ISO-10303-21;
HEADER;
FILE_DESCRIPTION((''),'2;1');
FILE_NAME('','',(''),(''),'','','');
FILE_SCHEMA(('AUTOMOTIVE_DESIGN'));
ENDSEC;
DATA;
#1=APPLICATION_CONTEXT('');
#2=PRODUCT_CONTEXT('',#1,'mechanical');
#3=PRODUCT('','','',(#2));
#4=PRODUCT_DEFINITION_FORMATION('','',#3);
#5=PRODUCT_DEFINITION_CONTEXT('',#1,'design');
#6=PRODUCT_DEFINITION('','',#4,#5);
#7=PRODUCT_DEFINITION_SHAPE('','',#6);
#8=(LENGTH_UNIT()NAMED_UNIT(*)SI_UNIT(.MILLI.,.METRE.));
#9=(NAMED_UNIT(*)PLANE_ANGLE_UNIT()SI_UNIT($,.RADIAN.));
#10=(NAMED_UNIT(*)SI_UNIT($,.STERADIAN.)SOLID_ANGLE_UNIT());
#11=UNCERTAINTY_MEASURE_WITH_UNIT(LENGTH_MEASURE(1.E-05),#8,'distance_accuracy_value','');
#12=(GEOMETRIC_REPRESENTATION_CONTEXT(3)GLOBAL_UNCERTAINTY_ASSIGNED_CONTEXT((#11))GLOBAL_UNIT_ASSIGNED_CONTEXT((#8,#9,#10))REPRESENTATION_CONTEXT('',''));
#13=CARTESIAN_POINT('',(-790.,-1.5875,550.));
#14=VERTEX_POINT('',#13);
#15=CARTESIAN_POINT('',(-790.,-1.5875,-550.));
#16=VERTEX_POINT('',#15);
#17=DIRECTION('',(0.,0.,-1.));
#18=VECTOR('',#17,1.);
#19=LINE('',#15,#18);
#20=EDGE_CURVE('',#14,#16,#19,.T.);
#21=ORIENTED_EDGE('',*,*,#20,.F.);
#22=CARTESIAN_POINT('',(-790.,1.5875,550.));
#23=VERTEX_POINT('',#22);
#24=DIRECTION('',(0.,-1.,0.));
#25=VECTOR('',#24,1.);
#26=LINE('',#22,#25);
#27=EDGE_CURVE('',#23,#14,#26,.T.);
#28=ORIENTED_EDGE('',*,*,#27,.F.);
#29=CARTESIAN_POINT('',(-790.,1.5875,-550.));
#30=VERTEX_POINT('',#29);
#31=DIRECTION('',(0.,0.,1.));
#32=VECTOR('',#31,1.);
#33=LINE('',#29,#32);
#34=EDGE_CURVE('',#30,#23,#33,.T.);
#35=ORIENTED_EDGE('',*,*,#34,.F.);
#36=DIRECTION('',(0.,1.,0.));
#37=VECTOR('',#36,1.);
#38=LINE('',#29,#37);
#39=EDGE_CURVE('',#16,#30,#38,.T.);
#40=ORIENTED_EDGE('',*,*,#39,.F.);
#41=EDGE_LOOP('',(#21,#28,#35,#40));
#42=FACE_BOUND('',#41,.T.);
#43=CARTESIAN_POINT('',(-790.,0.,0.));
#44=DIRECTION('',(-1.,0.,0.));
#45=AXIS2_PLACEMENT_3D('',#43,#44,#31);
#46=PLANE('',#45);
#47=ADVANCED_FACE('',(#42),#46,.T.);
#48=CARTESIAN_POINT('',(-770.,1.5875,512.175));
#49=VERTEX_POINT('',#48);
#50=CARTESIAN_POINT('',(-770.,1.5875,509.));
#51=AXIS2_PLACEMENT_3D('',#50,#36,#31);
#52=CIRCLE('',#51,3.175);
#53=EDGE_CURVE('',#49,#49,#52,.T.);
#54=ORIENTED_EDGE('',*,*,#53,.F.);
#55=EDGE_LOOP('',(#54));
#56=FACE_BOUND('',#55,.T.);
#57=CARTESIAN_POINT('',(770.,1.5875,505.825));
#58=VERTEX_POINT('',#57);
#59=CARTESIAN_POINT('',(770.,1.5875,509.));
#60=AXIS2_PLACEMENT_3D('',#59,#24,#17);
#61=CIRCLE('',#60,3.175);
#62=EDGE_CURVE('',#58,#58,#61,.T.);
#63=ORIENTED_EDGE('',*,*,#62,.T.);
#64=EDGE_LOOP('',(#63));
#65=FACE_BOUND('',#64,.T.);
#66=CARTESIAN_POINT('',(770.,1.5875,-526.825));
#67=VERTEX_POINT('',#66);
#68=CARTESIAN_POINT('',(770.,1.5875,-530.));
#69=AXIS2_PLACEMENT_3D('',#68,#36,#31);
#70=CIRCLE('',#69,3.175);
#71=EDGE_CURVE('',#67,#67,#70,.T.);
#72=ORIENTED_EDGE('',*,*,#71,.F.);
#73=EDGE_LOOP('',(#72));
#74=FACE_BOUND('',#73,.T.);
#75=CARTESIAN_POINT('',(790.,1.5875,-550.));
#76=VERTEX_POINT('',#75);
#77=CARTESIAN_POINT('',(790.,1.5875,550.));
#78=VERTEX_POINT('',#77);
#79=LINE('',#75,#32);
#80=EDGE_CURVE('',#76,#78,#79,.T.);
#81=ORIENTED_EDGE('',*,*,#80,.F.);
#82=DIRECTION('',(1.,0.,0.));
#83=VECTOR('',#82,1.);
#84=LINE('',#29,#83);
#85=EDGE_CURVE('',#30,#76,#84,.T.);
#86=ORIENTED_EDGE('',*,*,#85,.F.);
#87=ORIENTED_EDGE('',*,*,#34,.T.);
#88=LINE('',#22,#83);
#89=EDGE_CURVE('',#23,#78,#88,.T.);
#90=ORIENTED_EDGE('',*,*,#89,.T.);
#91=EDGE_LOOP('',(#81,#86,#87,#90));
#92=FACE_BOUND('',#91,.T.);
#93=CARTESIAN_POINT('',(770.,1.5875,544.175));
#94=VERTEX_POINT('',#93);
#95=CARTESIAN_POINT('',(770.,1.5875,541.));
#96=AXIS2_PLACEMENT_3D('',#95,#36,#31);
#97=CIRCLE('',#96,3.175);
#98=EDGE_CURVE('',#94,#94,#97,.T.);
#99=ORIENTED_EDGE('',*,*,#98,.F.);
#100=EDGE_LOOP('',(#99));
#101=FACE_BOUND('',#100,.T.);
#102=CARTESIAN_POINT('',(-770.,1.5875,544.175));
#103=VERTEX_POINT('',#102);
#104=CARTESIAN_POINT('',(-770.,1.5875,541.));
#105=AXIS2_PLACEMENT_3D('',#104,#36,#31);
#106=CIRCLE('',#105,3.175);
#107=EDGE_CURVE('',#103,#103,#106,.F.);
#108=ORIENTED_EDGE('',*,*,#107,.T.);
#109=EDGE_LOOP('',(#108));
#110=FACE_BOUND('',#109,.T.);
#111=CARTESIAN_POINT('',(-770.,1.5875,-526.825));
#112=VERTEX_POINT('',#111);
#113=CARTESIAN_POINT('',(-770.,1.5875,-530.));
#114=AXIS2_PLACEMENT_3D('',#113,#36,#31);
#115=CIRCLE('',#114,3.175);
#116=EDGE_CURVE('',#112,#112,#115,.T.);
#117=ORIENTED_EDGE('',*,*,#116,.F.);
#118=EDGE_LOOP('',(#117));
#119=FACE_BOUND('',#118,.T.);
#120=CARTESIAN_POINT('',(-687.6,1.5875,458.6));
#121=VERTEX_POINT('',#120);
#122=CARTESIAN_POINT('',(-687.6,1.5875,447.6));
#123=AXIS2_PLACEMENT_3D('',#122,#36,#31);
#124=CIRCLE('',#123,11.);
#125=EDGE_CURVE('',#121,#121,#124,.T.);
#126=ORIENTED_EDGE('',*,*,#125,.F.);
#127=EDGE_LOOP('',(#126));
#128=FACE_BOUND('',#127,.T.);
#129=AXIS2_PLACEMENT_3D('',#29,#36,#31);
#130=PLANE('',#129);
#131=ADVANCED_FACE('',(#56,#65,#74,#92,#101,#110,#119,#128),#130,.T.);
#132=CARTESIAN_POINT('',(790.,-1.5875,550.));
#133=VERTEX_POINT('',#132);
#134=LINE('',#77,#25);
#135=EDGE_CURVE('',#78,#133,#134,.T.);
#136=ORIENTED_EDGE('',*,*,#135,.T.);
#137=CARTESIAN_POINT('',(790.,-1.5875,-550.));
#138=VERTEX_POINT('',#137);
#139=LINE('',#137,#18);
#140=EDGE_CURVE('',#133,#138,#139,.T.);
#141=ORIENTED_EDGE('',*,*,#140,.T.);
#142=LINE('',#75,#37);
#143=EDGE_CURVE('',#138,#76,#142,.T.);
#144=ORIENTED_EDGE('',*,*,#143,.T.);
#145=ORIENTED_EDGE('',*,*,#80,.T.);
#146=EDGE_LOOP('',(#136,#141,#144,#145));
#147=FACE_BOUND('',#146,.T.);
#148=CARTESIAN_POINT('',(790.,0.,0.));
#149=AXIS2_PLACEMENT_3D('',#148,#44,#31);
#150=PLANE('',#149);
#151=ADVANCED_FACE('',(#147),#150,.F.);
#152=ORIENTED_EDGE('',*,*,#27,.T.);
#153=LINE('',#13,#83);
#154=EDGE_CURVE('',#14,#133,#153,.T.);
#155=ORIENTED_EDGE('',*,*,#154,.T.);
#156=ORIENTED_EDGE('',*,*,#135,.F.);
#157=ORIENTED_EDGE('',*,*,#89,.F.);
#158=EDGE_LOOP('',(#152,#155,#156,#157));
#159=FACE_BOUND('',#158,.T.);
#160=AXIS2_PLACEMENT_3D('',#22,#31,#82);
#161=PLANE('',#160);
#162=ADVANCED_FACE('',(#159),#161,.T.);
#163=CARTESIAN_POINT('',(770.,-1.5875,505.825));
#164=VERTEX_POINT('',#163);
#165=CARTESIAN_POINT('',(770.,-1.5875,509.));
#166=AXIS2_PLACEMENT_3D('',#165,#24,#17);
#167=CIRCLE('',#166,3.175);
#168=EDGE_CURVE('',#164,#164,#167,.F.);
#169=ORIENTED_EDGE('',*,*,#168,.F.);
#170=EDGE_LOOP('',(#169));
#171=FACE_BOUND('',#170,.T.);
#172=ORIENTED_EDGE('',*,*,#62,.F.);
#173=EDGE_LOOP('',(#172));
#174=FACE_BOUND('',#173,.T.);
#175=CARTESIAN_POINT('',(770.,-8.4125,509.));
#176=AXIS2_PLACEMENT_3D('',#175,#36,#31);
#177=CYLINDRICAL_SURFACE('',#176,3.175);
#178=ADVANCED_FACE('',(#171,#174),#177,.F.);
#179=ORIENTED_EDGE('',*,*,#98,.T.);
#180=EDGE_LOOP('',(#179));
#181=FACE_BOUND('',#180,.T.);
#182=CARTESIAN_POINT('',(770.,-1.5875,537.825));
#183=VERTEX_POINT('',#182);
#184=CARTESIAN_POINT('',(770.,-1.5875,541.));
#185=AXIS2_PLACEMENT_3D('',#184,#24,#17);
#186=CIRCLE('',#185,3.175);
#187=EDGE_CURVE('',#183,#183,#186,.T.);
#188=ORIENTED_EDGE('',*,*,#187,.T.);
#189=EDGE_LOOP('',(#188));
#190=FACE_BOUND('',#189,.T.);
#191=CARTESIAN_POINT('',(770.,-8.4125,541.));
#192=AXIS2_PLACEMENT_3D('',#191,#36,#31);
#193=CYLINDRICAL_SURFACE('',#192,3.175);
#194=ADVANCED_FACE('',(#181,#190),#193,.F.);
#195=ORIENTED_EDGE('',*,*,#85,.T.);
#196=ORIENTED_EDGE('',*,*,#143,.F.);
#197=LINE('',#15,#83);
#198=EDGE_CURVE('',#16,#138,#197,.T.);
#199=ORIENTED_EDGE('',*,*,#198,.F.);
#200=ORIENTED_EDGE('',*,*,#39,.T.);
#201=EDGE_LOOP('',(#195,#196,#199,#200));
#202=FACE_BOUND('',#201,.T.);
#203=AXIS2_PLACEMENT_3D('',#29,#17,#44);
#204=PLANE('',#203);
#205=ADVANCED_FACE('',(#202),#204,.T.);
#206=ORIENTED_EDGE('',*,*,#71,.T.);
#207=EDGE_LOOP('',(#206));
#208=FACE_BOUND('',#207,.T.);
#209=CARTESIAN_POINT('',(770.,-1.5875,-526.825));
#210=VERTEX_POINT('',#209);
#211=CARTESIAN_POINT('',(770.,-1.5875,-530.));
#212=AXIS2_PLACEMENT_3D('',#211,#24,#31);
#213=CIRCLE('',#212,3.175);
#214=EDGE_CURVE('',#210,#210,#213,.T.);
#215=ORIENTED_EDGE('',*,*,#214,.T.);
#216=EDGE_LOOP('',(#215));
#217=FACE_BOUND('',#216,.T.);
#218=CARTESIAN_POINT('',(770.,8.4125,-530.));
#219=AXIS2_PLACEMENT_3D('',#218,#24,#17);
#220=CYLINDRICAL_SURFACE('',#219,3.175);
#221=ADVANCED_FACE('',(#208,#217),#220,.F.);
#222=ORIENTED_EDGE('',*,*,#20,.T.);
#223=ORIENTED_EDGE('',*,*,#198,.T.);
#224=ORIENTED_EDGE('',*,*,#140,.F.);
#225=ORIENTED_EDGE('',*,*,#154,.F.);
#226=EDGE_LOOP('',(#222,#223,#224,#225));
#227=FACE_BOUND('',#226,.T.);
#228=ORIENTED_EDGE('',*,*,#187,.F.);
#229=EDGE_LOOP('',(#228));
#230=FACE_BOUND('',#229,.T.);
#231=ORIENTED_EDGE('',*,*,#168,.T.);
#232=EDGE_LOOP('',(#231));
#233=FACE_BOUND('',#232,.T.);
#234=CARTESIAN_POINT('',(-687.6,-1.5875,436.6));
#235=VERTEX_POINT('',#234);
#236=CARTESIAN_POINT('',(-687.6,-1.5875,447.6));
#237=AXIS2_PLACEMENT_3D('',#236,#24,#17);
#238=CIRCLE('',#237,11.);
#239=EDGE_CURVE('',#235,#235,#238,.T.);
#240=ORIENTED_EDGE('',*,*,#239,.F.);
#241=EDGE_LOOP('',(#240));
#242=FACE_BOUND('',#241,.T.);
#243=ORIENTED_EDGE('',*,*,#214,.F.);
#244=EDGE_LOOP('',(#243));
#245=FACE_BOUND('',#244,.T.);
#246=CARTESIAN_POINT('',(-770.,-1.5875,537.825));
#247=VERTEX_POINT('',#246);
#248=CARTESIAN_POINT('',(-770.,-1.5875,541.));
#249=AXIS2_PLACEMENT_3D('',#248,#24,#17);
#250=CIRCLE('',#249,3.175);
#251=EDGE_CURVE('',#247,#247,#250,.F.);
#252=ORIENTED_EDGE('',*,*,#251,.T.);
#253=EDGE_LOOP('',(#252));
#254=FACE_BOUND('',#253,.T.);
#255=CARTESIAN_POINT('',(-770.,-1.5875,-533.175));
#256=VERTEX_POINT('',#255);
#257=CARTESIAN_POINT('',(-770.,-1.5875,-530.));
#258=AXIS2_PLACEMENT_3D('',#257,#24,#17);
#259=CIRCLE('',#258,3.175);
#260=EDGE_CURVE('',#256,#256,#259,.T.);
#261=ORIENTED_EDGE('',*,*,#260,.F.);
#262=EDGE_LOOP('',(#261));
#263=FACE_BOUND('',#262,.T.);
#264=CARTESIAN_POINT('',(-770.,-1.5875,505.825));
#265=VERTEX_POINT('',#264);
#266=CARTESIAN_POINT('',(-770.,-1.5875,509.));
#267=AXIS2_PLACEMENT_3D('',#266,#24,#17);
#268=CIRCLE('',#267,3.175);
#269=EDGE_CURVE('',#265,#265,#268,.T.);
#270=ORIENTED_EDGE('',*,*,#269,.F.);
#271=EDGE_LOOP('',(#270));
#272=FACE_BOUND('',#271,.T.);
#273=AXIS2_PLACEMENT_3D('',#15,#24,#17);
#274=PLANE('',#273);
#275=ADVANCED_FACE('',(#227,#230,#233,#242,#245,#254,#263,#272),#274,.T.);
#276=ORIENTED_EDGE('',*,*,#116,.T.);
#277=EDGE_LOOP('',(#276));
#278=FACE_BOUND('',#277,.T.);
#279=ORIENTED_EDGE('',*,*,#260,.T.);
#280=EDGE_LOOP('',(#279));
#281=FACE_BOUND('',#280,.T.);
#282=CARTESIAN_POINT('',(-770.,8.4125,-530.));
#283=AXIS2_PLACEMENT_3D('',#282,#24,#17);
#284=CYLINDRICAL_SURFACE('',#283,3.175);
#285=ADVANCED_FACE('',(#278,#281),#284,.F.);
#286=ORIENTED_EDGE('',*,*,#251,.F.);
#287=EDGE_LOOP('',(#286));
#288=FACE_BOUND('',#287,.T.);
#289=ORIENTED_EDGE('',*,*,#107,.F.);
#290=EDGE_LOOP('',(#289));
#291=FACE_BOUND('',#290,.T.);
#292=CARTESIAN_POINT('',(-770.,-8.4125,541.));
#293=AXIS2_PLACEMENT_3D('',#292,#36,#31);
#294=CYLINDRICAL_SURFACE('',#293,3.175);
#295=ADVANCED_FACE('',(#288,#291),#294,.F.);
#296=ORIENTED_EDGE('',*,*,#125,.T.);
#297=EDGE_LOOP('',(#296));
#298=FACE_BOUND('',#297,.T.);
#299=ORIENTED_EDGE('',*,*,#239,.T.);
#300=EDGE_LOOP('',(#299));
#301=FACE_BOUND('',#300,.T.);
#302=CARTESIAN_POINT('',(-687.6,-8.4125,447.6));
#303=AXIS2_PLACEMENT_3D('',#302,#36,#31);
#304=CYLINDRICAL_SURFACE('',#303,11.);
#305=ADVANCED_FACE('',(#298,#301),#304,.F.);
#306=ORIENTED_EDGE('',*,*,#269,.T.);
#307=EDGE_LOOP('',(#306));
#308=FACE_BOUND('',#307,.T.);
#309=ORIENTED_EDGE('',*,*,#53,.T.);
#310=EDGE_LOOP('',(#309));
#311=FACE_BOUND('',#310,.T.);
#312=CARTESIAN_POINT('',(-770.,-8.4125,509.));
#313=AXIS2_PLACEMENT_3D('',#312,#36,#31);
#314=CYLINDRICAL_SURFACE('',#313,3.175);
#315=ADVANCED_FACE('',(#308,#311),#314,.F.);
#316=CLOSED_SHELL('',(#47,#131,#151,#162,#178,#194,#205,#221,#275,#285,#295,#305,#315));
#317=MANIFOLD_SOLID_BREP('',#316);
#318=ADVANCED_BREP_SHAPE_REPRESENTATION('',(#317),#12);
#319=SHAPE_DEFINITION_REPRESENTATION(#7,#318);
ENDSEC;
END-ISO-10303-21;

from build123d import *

# Parameters (mm, degrees)
BOSS_EXTRUDE1_DEPTH      = 790
BOSS_EXTRUDE1_DEPTH_BACK = 790
SKETCH3_W                = 1100
SKETCH3_H                = 3.175
SKETCH4_R                = 11
CUT_EXTRUDE1_DEPTH       = 10
SKETCH5_R                = 3.175
CUT_EXTRUDE2_DEPTH       = 10
SKETCH6_R                = 3.175
CUT_EXTRUDE3_DEPTH       = 10


with BuildPart() as part:
    # Sketch3 → Boss-Extrude1 (new, two sides: drawn at the far end of the back side and taken through both)
    with BuildSketch(Plane(origin=(0, 0, 0), x_dir=(0, 0, -1), z_dir=(1, 0, 0)).offset(-BOSS_EXTRUDE1_DEPTH_BACK)):
        Rectangle(SKETCH3_W, SKETCH3_H)
    extrude(amount=BOSS_EXTRUDE1_DEPTH + BOSS_EXTRUDE1_DEPTH_BACK)

    # Sketch4 → Cut-Extrude1 (cut)
    with BuildSketch(Plane(origin=(0, 1.5875, 0), x_dir=(1, 0, 0), z_dir=(0, 1, 0))):
        with Locations(Location((-687.6, -447.6, 0), (0, 0, 270))):
            Circle(SKETCH4_R)
    extrude(amount=-CUT_EXTRUDE1_DEPTH, mode=Mode.SUBTRACT)

    # Sketch5 → Cut-Extrude2 (cut)
    with BuildSketch(Plane(origin=(0, -1.5875, 0), x_dir=(-1, 0, 0), z_dir=(0, -1, 0))):
        with Locations(Location((770, 530, 0), (0, 0, 90))):
            Circle(SKETCH5_R)
        with Locations(Location((-770, 530, 0), (0, 0, 270))):
            Circle(SKETCH5_R)
    extrude(amount=-CUT_EXTRUDE2_DEPTH, mode=Mode.SUBTRACT)

    # Sketch6 → Cut-Extrude3 (cut)
    with BuildSketch(Plane(origin=(0, 1.5875, 0), x_dir=(1, 0, 0), z_dir=(0, 1, 0))):
        with Locations(Location((-770, -509, 0), (0, 0, 270))):
            Circle(SKETCH6_R)
        with Locations(Location((-770, -541, 0), (0, 0, 270))):
            Circle(SKETCH6_R)
        with Locations(Location((770, -541, 0), (0, 0, 270))):
            Circle(SKETCH6_R)
        with Locations(Location((770, -509, 0), (0, 0, 90))):
            Circle(SKETCH6_R)
    extrude(amount=-CUT_EXTRUDE3_DEPTH, mode=Mode.SUBTRACT)


solid = part.part
